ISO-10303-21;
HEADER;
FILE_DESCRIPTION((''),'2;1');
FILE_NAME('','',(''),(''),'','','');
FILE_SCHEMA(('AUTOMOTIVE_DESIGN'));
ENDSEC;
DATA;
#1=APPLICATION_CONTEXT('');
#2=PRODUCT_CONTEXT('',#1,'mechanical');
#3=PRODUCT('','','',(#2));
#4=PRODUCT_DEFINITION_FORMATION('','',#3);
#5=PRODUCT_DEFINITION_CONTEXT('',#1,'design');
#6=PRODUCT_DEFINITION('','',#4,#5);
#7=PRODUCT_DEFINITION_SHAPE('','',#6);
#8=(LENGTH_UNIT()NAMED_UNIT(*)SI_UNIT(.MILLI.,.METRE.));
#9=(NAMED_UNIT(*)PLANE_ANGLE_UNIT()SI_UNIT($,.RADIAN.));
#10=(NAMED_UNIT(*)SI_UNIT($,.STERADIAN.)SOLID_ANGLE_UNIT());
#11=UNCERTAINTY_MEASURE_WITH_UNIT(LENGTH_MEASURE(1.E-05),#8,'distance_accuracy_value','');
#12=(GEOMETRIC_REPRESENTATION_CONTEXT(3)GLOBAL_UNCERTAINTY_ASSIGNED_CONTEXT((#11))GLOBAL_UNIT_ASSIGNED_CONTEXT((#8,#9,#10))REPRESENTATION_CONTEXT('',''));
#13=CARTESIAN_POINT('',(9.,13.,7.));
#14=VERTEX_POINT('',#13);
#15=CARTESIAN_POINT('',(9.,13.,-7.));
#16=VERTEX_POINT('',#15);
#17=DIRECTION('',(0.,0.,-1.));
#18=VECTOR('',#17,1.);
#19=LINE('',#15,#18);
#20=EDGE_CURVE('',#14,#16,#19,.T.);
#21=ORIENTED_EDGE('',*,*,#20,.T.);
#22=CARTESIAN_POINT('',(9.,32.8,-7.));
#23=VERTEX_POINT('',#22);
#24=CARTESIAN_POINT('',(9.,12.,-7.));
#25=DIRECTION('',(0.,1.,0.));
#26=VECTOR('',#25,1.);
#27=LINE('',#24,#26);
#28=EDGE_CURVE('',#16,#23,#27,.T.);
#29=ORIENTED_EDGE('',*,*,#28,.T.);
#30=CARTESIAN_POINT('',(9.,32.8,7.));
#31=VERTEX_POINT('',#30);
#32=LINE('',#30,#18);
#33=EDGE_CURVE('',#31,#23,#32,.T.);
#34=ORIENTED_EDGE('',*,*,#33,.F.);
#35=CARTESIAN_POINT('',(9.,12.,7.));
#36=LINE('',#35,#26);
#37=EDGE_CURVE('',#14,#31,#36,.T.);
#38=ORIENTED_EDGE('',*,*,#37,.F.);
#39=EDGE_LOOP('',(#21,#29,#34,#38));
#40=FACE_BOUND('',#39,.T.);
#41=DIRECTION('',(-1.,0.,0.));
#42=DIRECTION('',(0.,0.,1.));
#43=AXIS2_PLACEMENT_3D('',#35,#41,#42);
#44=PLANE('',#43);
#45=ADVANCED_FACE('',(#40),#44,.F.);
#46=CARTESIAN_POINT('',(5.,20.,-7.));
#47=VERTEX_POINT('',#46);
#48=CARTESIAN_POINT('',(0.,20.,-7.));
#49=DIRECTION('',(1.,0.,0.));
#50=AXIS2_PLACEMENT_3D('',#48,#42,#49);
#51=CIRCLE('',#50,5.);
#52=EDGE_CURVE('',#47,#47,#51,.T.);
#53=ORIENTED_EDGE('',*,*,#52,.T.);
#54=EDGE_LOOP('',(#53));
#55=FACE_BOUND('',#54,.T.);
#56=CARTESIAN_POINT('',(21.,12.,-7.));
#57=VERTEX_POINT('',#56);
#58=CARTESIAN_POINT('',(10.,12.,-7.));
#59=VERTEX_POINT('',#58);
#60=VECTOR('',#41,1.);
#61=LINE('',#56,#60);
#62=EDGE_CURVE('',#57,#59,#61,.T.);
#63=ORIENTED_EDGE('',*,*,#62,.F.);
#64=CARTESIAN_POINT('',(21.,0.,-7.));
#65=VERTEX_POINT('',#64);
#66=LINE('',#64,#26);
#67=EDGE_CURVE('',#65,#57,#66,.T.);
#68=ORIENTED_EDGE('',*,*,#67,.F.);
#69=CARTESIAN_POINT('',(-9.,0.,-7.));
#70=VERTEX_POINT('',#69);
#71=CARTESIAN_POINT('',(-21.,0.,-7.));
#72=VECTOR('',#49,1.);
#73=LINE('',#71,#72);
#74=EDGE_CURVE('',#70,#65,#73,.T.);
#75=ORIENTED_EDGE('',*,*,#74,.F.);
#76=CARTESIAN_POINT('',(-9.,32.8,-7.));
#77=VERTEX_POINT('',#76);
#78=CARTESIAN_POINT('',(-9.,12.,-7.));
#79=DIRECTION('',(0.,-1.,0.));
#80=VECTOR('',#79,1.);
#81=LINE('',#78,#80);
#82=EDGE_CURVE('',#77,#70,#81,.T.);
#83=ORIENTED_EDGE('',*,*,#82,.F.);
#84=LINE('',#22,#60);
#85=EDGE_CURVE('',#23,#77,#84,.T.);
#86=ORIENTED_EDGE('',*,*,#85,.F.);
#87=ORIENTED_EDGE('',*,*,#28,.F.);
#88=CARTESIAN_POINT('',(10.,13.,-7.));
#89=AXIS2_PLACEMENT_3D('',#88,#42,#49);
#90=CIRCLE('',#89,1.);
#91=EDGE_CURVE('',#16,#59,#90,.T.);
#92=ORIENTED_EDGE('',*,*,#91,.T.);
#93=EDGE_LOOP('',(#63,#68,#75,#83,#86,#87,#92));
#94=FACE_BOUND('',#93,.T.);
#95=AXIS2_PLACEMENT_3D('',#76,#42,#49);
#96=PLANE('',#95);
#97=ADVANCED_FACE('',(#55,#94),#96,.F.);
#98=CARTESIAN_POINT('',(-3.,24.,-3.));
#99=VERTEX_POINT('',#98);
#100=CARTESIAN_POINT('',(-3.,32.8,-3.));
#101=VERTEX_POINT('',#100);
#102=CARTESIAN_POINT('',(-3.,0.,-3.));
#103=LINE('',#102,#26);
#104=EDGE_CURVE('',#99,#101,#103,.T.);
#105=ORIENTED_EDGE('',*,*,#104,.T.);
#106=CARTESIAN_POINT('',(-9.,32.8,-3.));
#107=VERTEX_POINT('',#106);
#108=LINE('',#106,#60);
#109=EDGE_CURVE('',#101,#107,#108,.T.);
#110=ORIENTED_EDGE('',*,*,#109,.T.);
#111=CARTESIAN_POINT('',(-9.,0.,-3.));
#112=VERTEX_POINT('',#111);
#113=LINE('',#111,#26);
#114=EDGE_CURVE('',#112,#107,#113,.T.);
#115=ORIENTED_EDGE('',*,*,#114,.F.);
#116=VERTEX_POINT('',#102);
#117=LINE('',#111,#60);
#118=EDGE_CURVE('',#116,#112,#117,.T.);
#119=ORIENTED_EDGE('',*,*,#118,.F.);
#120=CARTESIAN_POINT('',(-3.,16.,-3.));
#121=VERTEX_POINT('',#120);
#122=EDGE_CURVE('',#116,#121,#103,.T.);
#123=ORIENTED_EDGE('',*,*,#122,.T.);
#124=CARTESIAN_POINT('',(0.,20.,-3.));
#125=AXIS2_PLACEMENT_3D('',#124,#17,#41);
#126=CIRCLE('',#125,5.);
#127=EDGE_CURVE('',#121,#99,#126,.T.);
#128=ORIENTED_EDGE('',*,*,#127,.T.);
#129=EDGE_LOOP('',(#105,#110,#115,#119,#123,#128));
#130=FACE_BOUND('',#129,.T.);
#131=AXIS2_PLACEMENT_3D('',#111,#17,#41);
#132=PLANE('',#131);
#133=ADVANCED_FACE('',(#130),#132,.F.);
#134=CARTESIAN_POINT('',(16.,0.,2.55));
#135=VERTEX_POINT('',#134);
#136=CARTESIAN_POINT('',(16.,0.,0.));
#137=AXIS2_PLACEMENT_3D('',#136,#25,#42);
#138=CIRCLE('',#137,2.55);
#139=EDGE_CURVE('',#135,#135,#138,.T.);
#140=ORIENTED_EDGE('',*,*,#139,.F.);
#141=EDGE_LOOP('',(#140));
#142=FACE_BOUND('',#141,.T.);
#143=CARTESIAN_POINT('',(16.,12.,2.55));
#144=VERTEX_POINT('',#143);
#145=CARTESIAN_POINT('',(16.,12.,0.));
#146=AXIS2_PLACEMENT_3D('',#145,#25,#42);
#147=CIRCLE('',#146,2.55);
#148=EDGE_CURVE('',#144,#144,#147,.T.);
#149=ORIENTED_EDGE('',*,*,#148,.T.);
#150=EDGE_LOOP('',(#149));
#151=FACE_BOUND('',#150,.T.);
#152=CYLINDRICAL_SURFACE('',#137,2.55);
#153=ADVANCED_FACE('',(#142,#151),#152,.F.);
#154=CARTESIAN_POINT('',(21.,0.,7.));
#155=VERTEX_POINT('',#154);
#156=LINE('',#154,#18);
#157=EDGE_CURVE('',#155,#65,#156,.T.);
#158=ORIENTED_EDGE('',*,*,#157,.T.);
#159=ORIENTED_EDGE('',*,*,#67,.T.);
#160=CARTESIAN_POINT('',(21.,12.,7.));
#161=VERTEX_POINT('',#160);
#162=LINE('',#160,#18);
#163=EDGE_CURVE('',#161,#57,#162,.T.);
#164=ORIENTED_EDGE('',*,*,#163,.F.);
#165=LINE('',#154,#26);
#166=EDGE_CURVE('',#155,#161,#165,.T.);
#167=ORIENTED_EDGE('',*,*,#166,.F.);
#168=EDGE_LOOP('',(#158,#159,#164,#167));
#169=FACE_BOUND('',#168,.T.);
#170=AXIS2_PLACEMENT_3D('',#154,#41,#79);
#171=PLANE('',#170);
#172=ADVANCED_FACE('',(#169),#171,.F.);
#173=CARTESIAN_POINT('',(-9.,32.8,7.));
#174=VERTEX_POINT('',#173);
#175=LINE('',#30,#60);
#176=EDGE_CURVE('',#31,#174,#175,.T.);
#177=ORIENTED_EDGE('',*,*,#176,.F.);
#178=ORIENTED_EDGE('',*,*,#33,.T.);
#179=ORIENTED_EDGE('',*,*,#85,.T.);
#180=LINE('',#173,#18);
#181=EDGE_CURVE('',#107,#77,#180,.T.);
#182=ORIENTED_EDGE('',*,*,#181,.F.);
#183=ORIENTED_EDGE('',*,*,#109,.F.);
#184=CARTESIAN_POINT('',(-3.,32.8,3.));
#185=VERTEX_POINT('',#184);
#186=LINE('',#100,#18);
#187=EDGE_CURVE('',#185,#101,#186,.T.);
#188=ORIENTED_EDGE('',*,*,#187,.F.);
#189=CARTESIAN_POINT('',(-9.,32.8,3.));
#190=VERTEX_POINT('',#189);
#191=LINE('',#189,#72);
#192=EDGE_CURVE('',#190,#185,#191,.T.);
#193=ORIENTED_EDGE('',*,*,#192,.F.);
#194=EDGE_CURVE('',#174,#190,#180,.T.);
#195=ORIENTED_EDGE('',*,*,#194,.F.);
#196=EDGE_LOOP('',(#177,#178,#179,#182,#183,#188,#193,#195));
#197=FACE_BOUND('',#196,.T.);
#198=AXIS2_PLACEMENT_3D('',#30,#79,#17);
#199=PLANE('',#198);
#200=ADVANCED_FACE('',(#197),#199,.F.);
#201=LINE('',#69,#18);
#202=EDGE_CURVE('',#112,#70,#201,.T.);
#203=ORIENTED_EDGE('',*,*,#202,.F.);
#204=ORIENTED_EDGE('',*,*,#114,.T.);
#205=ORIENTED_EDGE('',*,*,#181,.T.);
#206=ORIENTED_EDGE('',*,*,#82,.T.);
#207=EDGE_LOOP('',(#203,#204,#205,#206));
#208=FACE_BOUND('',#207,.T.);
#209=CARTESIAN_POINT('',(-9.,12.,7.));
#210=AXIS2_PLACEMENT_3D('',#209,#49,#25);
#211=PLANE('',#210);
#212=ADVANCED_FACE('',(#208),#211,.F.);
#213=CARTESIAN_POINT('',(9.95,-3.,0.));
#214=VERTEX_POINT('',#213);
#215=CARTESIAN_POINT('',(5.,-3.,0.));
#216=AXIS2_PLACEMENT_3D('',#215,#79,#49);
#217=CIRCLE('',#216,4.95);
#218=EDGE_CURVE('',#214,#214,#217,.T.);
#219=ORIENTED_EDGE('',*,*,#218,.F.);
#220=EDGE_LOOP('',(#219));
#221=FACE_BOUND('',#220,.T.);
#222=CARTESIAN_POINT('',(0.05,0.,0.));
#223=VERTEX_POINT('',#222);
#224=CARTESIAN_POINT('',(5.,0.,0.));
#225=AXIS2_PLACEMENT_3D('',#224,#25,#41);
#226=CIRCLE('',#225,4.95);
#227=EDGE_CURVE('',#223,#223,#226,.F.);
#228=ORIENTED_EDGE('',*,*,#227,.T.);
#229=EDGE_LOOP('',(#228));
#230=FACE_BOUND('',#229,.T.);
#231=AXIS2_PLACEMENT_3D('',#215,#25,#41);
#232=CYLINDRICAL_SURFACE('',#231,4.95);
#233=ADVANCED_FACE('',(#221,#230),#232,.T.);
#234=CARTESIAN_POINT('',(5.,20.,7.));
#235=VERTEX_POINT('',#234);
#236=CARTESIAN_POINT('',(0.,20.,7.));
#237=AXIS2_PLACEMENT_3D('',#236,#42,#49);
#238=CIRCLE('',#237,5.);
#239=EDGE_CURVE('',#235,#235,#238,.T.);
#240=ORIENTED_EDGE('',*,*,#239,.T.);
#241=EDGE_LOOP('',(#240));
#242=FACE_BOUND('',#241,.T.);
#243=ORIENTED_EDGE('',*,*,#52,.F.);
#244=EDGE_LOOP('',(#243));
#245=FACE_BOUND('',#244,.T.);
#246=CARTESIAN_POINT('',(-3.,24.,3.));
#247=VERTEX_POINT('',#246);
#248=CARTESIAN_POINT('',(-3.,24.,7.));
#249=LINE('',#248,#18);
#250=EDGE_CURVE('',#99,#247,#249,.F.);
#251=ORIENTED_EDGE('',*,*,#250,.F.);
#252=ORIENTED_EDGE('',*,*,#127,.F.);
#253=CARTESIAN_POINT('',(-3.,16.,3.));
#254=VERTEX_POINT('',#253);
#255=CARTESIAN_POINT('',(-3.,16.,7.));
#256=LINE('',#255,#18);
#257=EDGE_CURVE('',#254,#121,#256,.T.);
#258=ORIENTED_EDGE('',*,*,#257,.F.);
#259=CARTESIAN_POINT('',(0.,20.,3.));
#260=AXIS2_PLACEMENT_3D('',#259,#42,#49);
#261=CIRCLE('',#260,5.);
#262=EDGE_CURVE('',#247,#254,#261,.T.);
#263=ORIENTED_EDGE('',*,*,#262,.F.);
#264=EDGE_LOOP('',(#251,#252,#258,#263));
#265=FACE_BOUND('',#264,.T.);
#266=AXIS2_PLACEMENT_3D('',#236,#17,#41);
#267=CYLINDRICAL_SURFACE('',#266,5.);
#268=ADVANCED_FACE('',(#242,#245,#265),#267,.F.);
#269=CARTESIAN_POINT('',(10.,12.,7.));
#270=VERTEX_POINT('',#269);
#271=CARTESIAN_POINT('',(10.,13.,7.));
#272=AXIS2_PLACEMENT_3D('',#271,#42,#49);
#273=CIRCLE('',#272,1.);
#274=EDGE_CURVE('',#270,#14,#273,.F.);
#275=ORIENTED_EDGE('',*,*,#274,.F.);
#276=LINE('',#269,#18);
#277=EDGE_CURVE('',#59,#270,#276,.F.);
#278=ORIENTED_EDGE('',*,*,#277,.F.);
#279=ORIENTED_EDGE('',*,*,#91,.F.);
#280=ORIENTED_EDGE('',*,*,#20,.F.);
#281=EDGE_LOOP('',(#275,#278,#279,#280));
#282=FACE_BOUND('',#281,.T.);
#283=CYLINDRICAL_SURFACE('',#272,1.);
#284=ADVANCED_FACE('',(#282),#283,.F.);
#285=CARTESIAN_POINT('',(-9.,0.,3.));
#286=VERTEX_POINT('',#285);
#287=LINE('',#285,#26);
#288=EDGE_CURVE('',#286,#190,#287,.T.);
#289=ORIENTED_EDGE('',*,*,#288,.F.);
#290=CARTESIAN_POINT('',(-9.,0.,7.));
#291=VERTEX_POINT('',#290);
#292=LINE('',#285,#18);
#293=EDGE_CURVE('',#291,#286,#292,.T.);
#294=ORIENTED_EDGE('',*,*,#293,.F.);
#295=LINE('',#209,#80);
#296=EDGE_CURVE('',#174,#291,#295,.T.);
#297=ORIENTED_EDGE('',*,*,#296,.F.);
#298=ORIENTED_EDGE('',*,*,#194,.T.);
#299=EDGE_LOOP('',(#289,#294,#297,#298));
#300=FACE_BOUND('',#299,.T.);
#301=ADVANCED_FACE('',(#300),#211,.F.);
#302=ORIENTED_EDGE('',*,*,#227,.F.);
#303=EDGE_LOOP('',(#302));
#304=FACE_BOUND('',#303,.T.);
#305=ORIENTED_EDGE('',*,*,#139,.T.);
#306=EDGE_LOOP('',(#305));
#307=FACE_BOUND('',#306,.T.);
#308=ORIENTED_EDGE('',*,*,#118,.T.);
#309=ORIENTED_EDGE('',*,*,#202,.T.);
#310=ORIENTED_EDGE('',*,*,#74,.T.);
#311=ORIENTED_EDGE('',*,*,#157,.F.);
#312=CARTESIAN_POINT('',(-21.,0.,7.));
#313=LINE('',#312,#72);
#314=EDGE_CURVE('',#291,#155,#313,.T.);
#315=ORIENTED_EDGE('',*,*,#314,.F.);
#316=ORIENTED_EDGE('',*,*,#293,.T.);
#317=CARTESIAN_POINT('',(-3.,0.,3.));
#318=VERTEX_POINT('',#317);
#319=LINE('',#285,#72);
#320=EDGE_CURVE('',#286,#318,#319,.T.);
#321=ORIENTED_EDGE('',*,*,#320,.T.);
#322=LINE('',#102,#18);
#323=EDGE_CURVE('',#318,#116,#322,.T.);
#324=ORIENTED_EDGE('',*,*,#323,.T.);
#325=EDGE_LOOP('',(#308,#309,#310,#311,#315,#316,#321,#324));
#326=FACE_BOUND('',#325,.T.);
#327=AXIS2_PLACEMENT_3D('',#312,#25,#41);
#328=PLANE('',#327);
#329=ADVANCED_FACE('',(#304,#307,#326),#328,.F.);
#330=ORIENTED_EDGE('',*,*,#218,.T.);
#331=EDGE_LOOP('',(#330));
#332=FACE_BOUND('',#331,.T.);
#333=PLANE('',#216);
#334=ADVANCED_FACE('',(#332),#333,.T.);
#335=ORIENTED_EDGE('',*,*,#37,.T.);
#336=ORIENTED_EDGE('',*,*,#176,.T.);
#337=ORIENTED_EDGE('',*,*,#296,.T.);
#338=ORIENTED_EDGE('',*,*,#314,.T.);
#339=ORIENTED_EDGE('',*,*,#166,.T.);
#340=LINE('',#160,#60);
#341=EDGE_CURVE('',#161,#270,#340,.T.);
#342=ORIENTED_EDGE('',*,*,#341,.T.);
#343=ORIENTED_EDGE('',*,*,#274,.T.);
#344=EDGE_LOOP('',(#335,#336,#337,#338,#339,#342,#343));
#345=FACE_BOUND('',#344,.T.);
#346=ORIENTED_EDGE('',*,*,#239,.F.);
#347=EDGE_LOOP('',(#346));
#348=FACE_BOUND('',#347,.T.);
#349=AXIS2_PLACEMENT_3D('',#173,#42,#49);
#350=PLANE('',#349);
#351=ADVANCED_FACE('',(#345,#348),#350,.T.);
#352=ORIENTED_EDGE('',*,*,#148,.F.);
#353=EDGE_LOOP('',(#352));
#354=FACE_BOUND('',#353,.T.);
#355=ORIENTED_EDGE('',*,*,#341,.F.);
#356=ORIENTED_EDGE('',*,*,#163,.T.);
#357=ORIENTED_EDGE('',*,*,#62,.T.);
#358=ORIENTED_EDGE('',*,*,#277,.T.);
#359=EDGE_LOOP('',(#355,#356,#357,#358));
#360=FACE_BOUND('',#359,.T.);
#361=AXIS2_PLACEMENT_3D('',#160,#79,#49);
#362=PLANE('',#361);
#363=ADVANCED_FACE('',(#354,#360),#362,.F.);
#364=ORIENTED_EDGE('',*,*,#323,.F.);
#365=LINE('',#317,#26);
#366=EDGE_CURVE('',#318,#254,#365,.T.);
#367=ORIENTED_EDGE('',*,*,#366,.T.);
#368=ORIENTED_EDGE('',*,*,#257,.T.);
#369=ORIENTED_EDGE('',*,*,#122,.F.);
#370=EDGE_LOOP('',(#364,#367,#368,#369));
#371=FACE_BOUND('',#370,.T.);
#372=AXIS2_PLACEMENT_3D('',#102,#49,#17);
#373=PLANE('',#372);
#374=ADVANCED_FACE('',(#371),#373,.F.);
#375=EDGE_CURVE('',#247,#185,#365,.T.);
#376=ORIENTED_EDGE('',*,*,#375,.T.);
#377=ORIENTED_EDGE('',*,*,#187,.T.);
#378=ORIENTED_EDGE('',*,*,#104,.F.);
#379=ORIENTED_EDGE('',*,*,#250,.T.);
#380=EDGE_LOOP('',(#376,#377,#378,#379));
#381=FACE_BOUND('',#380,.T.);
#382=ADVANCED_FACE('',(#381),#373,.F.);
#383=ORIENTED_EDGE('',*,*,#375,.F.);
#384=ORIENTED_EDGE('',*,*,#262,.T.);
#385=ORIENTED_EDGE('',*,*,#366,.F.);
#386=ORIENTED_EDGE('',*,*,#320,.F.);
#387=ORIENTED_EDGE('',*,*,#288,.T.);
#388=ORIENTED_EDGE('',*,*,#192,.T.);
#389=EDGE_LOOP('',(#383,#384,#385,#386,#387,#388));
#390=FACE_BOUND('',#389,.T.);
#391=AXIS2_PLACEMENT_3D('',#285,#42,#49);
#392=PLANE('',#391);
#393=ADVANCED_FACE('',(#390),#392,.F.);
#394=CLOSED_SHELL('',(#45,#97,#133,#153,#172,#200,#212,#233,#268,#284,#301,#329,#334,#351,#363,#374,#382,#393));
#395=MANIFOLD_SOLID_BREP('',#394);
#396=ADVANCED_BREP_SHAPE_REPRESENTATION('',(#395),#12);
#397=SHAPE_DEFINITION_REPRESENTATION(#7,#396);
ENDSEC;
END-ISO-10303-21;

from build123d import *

# Parameters (mm, degrees)
SKETCH_1_R          = 5
EXTRUDE_1_DEPTH     = 7
SKETCH_2_R          = 2.55
CUT_EXTRUDE_1_DEPTH = 31.374989712
CUT_EXTRUDE_2_DEPTH = 40.570696228
FILLET_2_R          = 1
SKETCH_5_R          = 4.95
EXTRUDE_2_DEPTH     = 3


with BuildPart() as part:
    # 草图1 → 凸台-拉伸1 (new, symmetric)
    with BuildSketch(Plane.XY):
        Polygon((-21, 0), (21, 0), (21, 12), (9, 12), (9, 32.8), (-9, 32.8), (-9, 12), (-21, 12), align=None)
        with Locations((0, 20)):
            Circle(SKETCH_1_R, mode=Mode.SUBTRACT)
    extrude(amount=EXTRUDE_1_DEPTH, both=True)

    # 草图2 → 切除-拉伸1 (cut, through all)
    with BuildSketch(Plane(origin=(0, 12, 0), x_dir=(1, 0, 0), z_dir=(0, 1, 0))):
        with Locations(Location((16, 0, 0), (0, 0, 270))):
            Circle(SKETCH_2_R)
        with Locations(Location((-16, 0, 0), (0, 0, 90))):
            Circle(SKETCH_2_R)
    extrude(amount=-CUT_EXTRUDE_1_DEPTH, mode=Mode.SUBTRACT)

    # 草图4 → 切除-拉伸2 (cut, through all)
    with BuildSketch(Plane(origin=(0, 32.8, 0), x_dir=(1, 0, 0), z_dir=(0, 1, 0))):
        Polygon((-9, 3), (-3, 3), (-3, -3), (-9, -3), (-9, -7), (-21, -7), (-21, 7), (-9, 7), align=None)
    extrude(amount=-CUT_EXTRUDE_2_DEPTH, mode=Mode.SUBTRACT)

    # 圆角2
    fillet_2_edges = [part.edges().sort_by_distance(p)[0] for p in [
        (9, 12, 0),
    ]]
    fillet(fillet_2_edges, radius=FILLET_2_R)

    # 草图5 → 凸台-拉伸2 (add)
    with BuildSketch(Plane.XZ):
        with Locations(Location((5, 0, 0), (0, 0, 180))):
            Circle(SKETCH_5_R)
    extrude(amount=EXTRUDE_2_DEPTH)


solid = part.part
